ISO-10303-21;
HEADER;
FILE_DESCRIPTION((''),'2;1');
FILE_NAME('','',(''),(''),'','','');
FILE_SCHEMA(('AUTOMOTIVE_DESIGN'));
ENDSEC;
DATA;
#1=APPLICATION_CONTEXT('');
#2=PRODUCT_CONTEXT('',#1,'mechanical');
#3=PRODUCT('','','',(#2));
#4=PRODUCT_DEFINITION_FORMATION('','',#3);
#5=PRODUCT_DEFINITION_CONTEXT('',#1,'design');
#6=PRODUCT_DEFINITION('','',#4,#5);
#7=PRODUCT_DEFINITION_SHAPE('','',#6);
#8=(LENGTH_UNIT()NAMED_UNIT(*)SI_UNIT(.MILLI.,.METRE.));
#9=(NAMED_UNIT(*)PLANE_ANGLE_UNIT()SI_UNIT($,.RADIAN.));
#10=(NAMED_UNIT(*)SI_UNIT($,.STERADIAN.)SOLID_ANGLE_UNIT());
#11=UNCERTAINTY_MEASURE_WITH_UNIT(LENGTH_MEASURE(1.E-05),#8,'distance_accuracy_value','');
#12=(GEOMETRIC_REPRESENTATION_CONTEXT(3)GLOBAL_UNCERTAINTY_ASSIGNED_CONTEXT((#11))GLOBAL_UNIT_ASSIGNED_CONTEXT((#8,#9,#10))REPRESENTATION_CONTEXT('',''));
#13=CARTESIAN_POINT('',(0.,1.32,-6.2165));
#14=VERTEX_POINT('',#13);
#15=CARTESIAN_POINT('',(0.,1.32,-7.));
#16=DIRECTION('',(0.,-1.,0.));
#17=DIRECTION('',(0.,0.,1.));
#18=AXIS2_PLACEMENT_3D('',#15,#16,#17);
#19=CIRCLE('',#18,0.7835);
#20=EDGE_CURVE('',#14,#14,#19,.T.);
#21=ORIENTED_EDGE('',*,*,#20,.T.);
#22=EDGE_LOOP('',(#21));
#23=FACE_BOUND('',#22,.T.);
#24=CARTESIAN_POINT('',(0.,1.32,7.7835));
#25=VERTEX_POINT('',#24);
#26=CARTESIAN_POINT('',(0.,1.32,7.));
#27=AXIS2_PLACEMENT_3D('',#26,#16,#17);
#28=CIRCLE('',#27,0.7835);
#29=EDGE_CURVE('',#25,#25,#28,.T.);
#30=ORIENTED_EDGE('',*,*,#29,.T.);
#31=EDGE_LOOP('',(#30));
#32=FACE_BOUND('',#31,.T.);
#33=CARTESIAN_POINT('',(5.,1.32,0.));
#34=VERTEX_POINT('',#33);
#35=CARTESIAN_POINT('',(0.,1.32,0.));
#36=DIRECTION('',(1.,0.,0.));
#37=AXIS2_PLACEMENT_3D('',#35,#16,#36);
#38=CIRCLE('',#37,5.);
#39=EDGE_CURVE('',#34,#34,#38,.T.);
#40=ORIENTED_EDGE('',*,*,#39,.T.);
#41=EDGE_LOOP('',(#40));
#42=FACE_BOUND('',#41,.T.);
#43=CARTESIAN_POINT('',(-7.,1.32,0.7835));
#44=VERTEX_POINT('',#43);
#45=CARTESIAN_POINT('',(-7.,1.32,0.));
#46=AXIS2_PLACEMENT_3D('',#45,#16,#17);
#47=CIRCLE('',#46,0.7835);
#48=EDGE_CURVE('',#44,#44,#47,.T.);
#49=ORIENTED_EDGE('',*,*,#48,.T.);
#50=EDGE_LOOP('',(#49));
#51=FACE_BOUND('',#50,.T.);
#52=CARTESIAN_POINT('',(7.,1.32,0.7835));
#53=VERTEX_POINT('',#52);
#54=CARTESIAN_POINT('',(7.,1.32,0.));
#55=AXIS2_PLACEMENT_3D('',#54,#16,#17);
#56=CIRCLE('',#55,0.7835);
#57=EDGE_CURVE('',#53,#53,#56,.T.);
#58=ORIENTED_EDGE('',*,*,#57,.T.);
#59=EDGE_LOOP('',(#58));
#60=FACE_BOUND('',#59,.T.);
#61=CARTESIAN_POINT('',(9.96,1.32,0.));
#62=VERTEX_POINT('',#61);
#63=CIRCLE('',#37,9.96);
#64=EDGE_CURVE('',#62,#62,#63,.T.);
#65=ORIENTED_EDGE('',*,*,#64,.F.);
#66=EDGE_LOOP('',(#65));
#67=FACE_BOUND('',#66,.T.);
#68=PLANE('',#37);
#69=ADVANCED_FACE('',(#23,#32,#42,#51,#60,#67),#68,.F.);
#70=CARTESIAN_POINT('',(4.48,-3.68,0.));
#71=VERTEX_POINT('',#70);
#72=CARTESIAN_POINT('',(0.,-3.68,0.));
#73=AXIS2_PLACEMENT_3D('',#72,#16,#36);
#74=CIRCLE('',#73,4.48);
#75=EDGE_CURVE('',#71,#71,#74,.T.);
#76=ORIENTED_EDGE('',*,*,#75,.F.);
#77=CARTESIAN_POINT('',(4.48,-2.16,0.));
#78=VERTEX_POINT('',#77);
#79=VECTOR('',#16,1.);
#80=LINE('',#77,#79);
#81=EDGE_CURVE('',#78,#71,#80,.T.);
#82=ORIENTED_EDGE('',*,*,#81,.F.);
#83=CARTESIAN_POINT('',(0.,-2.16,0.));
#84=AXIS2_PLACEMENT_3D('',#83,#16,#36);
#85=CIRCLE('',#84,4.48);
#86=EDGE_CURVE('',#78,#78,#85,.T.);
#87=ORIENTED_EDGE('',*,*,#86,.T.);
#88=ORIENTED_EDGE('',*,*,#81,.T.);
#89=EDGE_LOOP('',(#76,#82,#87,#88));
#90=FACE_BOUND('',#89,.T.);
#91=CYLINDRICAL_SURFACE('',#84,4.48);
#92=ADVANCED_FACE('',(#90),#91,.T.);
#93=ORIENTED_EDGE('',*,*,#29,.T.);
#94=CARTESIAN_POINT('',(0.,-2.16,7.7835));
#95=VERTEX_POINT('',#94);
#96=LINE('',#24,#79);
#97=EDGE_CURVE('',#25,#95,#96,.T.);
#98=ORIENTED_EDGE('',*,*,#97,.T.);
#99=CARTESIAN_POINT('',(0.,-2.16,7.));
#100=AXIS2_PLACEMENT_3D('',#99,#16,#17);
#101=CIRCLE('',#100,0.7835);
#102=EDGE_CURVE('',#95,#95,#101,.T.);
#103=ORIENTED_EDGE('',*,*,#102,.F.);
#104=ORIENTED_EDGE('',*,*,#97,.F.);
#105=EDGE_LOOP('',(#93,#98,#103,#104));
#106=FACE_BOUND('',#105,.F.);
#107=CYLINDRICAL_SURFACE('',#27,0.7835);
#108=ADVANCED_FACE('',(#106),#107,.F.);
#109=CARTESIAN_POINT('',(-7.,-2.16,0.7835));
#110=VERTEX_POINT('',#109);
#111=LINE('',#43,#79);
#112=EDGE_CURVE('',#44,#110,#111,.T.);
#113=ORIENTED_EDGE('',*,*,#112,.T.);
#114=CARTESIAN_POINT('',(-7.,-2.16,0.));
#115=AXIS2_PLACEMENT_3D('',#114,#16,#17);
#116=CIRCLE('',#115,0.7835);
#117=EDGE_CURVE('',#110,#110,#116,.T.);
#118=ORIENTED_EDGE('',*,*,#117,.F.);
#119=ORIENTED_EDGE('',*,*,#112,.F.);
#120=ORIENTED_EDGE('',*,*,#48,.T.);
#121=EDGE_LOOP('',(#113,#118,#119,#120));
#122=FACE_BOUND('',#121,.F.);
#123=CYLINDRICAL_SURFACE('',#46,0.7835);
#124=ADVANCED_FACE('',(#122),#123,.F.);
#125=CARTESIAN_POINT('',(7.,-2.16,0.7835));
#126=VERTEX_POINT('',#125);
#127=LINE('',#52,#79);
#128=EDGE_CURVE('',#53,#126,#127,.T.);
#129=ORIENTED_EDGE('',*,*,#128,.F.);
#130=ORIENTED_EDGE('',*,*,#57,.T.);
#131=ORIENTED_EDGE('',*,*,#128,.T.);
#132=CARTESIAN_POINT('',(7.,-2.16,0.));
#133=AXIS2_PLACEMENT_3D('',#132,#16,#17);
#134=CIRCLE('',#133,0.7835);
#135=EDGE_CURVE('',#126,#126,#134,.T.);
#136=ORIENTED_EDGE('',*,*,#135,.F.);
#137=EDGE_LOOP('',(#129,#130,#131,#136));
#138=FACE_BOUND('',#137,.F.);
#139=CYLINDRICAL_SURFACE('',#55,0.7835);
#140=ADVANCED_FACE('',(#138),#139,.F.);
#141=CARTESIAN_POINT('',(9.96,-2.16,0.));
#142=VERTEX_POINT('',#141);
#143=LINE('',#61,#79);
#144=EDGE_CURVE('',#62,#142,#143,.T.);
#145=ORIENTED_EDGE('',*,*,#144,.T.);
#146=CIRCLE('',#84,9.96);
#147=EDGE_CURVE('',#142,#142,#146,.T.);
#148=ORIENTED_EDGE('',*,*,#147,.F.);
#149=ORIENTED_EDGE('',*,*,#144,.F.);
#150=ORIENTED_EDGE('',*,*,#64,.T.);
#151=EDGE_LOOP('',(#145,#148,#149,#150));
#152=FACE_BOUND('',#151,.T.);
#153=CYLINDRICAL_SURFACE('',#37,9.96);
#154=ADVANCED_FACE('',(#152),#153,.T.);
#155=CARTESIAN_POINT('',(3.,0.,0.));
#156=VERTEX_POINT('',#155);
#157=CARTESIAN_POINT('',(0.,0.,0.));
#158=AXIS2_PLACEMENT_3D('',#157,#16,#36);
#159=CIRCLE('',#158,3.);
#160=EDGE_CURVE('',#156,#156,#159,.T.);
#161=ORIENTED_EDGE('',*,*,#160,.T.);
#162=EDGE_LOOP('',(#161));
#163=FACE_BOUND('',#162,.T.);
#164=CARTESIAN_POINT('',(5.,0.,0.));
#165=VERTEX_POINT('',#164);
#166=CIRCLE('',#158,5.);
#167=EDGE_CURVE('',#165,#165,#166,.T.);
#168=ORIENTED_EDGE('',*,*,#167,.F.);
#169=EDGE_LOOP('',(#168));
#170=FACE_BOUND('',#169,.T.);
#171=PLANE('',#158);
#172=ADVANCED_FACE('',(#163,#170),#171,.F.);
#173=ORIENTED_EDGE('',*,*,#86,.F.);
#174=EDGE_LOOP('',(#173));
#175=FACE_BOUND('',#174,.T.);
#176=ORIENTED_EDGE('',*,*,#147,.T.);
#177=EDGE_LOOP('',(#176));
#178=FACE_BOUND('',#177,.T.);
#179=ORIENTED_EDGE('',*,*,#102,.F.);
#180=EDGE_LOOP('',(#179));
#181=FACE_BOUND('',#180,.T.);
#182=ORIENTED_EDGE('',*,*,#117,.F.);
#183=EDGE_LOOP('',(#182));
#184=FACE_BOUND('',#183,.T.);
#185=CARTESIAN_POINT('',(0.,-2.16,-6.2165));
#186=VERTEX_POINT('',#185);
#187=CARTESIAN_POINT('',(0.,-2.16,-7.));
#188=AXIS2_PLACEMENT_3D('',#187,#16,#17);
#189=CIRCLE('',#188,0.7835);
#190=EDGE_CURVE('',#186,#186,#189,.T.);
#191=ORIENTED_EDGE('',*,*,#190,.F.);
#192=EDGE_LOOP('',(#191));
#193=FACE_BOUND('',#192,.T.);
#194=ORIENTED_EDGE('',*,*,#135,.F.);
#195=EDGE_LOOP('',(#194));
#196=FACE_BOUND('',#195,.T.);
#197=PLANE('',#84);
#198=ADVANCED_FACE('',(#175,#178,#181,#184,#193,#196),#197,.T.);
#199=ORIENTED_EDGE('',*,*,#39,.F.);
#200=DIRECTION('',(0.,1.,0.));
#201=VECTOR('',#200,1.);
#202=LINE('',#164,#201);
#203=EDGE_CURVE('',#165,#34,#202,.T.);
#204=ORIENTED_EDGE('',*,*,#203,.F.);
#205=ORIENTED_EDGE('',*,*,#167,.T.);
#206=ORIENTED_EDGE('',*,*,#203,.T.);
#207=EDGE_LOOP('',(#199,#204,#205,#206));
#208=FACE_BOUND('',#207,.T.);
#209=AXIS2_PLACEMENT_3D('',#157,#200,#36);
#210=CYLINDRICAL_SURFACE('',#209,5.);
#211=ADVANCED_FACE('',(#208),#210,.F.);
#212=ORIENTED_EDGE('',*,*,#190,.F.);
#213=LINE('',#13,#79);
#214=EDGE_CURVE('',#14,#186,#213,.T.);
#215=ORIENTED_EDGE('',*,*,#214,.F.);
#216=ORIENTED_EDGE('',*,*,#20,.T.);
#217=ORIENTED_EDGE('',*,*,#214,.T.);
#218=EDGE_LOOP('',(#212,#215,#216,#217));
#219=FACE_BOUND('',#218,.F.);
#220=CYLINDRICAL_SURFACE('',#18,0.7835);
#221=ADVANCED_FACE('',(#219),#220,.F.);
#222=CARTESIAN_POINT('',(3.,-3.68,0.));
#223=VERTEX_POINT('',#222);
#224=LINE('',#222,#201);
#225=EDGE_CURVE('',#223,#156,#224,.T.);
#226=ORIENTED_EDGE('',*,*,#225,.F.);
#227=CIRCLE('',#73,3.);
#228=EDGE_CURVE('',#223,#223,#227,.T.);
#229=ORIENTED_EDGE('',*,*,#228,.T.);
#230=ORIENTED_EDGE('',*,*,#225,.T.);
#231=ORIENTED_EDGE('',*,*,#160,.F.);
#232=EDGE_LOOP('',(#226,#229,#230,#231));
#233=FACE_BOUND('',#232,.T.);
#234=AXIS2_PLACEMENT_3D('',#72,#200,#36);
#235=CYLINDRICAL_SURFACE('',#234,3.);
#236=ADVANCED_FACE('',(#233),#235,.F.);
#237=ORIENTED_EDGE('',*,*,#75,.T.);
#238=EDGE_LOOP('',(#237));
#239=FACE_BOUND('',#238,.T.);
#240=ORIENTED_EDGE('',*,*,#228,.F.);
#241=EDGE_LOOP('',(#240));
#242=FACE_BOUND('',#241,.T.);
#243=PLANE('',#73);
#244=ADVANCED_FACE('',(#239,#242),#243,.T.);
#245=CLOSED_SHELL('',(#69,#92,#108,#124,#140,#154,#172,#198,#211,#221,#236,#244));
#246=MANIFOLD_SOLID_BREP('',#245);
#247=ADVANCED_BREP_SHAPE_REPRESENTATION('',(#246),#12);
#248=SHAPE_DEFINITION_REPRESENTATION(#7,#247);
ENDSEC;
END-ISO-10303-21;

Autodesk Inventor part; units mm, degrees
ref_plane "YZ Plane" through (0, 0, 0) normal (1, 0, 0) x (0, 1, 0)
ref_plane "XZ Plane" through (0, 0, 0) normal (0, 1, 0) x (-1, 0, 0)
ref_plane "XY Plane" through (0, 0, 0) normal (0, 0, 1) x (1, 0, 0)
sketch "스케치1" plane through (0, 0, 0) normal (0, 0, 1) x (1, 0, 0)
  line L0 (0, 6.4532) -> (0, -6.4532)
  line L1 (3, -3.68) -> (3, 0)
  line L2 (3, 0) -> (5, 0)
  line L3 (5, 0) -> (5, 1.32)
  line L4 (5, 1.32) -> (9.96, 1.32)
  line L5 (9.96, 1.32) -> (9.96, -2.16)
  line L6 (9.96, -2.16) -> (4.48, -2.16)
  line L7 (4.48, -2.16) -> (4.48, -3.68)
  line L8 (4.48, -3.68) -> (3, -3.68)
  point P0 (0, 0)
  point P1 (0, 0)
  dimension "d22" = 6
  dimension "d23" = 8.96
  dimension "d24" = 10
  dimension "d25" = 19.92
  dimension "d26" = 1.32
  dimension "d27" = 5
  dimension "d28" = 3.48
revolve "회전1" add sketch "스케치1" angle 360 about axis through (0, 6.4532, 0) along (0, -1, 0)
sketch "Sketch3" plane through (0, 1.32, 0) normal (0, 1, 0) x (1, 0, 0)
  point P0 (0, 0)
  point P1 (7, 0)
  point P2 (0, 7)
  point P3 (-7, 0)
  point P4 (0, -7)
  dimension "d29" = 7
  dimension "d32" = 360
hole "Hole2" at (7, 1.32, 0) at (0, 1.32, -7) at (-7, 1.32, 0) at (0, 1.32, 7) direction (0, -1, 0) diameter 1.567 end through all thread size "M2x0.4" class "6H" standard "ISO Metric profile"
properties part number "Bottom Horn" material "Aluminum 6061-AHC"
